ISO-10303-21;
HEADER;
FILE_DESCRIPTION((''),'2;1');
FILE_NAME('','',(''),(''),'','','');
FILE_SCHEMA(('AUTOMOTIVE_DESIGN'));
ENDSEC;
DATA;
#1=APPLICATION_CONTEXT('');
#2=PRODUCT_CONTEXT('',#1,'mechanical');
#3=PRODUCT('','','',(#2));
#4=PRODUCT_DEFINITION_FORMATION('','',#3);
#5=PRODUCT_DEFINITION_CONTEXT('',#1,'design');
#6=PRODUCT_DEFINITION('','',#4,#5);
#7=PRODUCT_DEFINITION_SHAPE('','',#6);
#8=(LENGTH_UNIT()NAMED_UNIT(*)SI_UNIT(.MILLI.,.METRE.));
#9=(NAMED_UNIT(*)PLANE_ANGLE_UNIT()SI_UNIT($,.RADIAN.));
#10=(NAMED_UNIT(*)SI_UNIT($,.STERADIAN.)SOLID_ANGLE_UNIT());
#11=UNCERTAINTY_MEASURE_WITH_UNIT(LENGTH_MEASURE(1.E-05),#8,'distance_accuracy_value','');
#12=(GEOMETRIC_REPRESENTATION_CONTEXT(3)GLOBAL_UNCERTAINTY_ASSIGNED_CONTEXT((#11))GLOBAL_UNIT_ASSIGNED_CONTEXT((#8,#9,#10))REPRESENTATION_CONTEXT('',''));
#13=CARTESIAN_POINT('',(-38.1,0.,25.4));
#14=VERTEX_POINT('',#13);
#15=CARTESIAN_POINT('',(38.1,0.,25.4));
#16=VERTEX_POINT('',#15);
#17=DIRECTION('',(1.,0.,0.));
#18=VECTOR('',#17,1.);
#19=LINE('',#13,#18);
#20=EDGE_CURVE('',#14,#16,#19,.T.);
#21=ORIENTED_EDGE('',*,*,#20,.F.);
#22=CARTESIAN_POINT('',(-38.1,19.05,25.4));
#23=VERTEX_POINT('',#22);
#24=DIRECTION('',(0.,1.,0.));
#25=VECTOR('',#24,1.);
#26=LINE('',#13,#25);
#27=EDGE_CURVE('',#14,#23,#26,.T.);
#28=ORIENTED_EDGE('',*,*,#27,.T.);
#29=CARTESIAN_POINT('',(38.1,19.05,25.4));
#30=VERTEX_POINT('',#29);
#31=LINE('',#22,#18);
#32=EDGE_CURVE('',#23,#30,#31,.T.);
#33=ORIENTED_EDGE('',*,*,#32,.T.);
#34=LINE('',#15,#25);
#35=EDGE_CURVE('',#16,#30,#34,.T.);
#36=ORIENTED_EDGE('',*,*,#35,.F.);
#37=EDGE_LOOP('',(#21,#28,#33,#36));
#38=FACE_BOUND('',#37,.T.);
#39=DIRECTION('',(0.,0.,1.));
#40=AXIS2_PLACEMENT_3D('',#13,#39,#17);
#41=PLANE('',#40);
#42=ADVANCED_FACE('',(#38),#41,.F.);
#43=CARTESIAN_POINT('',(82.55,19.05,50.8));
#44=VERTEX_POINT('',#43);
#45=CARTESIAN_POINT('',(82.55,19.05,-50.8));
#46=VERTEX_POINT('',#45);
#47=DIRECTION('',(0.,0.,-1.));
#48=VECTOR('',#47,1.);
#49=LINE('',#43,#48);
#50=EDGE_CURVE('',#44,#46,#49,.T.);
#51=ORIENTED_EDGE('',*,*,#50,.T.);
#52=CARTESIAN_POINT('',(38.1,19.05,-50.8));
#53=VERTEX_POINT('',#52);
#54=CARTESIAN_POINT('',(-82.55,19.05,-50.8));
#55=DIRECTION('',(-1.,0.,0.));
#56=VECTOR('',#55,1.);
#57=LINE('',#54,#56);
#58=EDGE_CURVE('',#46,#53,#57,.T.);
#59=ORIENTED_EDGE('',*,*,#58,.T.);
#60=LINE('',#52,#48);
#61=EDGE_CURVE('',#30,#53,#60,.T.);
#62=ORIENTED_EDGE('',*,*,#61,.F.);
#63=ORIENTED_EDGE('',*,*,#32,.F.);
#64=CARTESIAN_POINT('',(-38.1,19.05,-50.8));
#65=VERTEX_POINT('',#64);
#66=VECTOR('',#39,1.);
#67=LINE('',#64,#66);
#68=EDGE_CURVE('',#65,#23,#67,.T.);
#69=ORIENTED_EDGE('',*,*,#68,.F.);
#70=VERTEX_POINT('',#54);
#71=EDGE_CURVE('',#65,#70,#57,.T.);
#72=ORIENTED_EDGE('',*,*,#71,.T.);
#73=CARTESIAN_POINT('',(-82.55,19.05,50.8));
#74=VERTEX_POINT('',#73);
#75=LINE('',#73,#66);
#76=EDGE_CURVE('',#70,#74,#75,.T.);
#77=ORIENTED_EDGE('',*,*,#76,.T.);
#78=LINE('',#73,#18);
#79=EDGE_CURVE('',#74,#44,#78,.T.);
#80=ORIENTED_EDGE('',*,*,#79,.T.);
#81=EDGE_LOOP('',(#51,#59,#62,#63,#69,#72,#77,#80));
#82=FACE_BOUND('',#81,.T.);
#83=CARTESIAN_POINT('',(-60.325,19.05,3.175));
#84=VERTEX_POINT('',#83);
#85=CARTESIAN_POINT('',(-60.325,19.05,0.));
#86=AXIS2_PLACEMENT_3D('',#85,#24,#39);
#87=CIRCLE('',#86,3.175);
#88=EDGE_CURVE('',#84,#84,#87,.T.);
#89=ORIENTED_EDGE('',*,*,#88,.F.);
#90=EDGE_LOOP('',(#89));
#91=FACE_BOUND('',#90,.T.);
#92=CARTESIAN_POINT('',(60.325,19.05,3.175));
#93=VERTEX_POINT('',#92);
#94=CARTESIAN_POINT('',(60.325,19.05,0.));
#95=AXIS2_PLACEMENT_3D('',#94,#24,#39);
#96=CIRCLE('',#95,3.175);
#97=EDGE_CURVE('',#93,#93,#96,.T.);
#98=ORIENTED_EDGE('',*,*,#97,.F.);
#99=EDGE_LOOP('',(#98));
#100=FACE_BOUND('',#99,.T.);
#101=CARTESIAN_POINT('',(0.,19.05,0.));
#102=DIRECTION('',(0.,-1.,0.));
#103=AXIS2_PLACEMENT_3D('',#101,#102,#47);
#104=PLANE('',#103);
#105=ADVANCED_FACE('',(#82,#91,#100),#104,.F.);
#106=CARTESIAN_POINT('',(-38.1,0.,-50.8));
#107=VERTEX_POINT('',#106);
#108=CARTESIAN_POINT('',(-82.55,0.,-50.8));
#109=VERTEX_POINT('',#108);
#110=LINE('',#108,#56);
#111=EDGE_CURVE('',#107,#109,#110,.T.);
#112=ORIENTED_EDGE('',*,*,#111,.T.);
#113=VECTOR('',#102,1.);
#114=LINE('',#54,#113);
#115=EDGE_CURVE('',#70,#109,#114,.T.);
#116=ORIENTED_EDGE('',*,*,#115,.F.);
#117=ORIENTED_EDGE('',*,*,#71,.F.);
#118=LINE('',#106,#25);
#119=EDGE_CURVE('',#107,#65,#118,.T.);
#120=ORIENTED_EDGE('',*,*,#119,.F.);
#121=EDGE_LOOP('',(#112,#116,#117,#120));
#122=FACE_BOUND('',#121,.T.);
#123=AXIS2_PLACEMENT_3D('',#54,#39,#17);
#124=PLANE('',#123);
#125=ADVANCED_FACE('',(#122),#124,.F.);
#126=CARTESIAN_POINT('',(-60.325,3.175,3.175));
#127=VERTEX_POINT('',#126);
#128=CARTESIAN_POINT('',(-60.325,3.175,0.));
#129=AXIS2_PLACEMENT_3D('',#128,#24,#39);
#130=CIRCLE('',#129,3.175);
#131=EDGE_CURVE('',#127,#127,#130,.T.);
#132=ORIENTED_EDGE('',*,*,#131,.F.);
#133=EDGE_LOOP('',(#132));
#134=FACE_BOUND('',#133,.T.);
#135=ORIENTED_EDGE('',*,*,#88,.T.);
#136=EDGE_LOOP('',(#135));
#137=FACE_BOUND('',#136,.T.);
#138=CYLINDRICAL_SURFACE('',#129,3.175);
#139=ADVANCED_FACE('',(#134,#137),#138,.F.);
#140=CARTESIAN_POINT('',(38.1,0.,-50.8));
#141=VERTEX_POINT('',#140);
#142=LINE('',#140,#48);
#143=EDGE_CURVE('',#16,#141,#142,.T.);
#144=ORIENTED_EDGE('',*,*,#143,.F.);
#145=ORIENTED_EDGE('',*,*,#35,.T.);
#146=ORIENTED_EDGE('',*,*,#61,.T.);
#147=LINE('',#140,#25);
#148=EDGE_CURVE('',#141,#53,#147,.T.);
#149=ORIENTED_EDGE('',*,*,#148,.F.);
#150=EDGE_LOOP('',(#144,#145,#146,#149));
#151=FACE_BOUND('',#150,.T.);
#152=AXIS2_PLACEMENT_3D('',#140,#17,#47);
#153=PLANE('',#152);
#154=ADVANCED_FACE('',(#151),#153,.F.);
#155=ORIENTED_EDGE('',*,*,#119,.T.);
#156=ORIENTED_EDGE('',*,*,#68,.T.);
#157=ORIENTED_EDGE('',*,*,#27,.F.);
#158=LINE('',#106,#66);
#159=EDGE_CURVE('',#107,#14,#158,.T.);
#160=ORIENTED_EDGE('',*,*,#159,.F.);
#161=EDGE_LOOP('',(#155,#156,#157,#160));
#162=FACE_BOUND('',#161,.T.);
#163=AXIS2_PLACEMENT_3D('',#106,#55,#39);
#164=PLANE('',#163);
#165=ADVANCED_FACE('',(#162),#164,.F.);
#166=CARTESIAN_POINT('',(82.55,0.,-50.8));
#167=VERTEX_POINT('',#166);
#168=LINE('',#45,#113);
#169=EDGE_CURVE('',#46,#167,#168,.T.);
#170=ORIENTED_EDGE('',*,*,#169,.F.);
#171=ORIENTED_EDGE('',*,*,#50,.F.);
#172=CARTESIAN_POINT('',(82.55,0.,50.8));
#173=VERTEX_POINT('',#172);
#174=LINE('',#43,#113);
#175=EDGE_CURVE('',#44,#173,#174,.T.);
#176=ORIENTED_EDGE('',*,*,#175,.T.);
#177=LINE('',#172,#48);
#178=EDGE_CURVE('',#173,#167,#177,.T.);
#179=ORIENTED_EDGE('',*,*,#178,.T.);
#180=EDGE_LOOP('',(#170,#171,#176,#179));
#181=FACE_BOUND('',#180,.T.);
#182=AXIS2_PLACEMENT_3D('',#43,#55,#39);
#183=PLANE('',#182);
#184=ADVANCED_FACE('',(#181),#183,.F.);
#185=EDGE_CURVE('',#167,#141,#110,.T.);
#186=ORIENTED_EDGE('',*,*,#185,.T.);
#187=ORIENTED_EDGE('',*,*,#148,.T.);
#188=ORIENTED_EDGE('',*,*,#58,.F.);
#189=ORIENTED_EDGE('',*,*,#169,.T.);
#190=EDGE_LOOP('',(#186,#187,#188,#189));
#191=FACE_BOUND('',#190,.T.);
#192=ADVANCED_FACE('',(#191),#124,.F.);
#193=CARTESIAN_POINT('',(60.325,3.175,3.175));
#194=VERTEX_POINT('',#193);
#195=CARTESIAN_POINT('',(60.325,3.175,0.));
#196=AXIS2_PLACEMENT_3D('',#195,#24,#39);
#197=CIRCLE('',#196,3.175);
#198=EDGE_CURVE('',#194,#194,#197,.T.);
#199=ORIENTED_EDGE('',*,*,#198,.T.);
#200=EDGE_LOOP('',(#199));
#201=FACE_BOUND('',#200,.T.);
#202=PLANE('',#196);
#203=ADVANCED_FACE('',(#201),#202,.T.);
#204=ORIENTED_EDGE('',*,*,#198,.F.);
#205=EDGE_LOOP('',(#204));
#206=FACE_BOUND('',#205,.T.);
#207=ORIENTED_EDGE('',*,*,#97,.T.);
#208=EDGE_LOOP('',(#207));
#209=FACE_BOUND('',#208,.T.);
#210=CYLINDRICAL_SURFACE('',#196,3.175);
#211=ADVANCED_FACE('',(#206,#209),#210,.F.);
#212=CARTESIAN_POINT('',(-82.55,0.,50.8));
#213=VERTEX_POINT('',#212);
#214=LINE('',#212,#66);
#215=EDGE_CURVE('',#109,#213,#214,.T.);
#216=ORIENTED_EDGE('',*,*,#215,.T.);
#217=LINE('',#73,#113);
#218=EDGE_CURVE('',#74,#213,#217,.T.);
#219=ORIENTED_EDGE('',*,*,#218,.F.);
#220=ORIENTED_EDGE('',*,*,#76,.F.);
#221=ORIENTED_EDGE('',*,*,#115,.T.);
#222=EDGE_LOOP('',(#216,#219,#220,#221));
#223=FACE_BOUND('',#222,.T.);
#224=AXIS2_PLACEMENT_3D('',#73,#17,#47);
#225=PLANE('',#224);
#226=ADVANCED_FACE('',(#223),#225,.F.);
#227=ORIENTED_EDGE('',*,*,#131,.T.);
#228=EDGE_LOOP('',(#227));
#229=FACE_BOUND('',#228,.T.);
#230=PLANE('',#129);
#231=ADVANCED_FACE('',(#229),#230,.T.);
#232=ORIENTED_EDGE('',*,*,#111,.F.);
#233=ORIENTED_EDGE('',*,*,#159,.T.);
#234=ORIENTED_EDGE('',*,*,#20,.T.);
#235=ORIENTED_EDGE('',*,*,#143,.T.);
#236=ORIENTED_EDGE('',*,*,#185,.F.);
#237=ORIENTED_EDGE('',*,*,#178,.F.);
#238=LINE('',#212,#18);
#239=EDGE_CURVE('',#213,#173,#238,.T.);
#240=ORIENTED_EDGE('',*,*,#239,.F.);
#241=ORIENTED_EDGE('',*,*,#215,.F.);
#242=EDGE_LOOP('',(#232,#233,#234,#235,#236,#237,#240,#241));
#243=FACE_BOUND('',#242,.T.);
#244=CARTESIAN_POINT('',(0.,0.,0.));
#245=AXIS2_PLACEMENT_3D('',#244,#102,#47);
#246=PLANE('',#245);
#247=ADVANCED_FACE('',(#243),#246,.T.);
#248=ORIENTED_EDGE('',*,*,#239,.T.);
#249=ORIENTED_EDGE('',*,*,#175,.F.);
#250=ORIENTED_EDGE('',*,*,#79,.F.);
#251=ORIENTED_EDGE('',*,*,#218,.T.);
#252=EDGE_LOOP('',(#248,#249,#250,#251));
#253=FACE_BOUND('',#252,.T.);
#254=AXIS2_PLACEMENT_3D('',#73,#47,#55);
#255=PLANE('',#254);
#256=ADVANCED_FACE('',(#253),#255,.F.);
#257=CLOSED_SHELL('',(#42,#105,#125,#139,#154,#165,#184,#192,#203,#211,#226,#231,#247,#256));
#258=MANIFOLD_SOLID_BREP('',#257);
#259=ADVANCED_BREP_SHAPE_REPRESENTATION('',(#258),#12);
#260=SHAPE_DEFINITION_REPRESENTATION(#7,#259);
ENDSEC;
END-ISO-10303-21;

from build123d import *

# Parameters (mm, degrees)
SKETCH1_W           = 165.1
SKETCH1_H           = 101.6
BOSS_EXTRUDE1_DEPTH = 19.05
SKETCH2_W           = 76.2
SKETCH2_H           = 76.2
CUT_EXTRUDE1_DEPTH  = 99.782817332
SKETCH3_R           = 3.175
CUT_EXTRUDE2_DEPTH  = 15.875


with BuildPart() as part:
    # Sketch1 → Boss-Extrude1 (new body)
    with BuildSketch(Plane(origin=(0, 0, 0), x_dir=(1, 0, 0), z_dir=(0, 1, 0))):
        Rectangle(SKETCH1_W, SKETCH1_H)
    extrude(amount=BOSS_EXTRUDE1_DEPTH)

    # Sketch2 → Cut-Extrude1 (cut, through all)
    with BuildSketch(Plane(origin=(0, 19.05, 0), x_dir=(1, 0, 0), z_dir=(0, 1, 0))):
        with Locations((0, 12.7)):
            Rectangle(SKETCH2_W, SKETCH2_H)
    extrude(amount=-CUT_EXTRUDE1_DEPTH, mode=Mode.SUBTRACT)

    # Sketch3 → Cut-Extrude2 (cut)
    with BuildSketch(Plane(origin=(0, 19.05, 0), x_dir=(1, 0, 0), z_dir=(0, 1, 0))):
        with Locations(Location((-60.325, 0, 0), (0, 0, 270))):
            Circle(SKETCH3_R)
        with Locations(Location((60.325, 0, 0), (0, 0, 270))):
            Circle(SKETCH3_R)
    extrude(amount=-CUT_EXTRUDE2_DEPTH, mode=Mode.SUBTRACT)


solid = part.part
